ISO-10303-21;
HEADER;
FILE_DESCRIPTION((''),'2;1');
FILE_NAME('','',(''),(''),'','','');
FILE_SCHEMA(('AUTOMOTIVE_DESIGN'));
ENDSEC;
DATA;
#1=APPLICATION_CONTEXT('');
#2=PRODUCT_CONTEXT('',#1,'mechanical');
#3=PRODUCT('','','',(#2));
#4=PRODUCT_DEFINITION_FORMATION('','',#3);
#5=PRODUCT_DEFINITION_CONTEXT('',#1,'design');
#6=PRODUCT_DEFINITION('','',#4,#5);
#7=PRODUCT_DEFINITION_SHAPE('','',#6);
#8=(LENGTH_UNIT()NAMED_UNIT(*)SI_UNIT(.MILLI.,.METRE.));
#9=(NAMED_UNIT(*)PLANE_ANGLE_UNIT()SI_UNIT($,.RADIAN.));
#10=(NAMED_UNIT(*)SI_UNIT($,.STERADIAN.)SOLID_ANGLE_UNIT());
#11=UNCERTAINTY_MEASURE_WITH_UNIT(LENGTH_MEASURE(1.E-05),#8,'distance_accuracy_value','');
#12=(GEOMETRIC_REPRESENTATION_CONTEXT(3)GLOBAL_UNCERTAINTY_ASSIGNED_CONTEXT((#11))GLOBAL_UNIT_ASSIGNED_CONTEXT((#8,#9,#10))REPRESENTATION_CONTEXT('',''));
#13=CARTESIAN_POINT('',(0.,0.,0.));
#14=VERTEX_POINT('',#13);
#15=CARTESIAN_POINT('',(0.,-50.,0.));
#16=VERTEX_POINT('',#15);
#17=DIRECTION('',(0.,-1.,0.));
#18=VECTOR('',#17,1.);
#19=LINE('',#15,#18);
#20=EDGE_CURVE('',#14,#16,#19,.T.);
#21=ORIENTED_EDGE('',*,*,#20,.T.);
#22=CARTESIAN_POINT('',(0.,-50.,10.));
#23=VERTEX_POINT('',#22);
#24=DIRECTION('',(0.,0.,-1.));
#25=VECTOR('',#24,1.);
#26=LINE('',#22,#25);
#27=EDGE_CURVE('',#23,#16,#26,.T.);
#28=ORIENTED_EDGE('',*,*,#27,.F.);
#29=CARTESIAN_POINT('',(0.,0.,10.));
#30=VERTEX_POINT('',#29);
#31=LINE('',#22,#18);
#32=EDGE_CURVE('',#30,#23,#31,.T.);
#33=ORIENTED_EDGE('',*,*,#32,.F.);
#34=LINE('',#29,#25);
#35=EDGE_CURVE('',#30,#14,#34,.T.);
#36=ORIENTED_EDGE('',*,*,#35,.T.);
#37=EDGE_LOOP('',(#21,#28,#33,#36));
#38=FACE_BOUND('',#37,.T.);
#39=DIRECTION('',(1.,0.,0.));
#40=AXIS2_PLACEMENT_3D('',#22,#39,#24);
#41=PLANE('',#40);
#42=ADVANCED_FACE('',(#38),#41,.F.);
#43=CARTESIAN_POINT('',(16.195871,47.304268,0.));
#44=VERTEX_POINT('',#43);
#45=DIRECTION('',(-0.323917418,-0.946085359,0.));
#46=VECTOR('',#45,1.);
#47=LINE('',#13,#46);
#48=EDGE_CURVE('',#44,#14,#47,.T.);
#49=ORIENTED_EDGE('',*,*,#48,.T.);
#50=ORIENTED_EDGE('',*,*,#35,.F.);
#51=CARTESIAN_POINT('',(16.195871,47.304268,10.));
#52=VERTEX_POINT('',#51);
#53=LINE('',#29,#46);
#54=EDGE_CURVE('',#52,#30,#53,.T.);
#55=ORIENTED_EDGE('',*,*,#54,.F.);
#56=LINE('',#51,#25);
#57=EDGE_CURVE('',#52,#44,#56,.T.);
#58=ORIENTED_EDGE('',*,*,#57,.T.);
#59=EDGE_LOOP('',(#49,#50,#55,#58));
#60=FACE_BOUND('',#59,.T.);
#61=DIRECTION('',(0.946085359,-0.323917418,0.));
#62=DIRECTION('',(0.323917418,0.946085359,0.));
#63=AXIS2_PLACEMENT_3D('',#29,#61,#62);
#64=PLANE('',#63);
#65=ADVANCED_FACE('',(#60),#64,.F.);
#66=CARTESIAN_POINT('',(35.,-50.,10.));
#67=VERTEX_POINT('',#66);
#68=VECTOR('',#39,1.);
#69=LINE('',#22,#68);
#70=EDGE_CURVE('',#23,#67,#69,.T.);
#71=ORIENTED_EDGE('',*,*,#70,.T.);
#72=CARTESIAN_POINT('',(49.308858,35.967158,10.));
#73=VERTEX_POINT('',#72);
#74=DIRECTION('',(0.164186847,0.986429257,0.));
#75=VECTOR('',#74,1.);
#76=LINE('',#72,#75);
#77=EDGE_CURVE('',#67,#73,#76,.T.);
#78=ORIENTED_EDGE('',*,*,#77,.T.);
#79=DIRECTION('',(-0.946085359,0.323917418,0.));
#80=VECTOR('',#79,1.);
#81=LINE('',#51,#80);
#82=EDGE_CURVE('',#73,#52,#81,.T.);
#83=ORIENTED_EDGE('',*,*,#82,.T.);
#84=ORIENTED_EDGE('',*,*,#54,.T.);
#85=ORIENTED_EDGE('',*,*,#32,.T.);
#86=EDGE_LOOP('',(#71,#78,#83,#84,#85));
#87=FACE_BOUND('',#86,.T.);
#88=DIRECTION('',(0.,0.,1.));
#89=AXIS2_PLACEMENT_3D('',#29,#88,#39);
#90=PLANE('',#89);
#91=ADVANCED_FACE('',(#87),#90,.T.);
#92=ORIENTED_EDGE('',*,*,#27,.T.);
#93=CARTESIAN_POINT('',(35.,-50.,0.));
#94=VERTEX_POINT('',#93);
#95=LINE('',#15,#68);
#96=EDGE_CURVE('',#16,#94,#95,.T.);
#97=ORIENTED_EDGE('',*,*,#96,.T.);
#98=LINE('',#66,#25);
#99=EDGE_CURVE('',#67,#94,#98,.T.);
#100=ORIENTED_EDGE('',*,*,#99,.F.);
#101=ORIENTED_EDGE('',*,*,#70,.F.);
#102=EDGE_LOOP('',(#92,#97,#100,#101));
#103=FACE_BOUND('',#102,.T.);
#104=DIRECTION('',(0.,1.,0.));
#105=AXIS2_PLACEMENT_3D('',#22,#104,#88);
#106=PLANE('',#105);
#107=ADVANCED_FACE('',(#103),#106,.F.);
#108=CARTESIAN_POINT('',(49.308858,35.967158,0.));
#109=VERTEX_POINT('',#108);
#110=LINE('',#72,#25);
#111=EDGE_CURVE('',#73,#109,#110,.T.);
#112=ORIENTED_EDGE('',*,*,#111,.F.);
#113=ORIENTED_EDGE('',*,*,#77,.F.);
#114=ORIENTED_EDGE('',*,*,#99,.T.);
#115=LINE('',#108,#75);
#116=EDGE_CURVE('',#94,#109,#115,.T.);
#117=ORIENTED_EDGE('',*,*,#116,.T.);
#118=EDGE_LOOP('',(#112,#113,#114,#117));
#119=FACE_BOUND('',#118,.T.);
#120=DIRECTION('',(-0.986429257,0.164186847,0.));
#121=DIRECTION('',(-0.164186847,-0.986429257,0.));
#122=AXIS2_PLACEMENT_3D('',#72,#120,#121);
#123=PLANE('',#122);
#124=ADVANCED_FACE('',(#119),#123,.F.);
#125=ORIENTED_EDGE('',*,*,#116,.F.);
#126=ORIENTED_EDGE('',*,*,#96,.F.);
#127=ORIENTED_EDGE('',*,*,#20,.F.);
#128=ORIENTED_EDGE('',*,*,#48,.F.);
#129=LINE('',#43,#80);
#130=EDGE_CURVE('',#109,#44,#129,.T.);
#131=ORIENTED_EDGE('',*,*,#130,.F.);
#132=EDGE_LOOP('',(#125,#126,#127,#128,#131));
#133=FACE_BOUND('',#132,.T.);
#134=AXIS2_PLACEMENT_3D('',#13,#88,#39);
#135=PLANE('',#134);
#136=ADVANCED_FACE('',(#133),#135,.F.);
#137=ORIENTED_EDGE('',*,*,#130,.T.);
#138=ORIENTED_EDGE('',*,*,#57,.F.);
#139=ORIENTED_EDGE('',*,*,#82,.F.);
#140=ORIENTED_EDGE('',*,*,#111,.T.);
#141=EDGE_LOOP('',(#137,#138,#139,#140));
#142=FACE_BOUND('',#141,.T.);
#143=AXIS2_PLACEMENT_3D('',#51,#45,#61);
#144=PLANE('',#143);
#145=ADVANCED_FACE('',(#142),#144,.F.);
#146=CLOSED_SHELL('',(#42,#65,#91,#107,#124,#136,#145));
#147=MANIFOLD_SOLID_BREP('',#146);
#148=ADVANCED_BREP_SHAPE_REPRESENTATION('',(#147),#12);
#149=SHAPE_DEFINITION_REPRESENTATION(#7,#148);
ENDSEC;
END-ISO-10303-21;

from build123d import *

# Parameters (mm, degrees)
BOSS_EXTRUDE1_DEPTH = 10


with BuildPart() as part:
    # Sketch1 → Boss-Extrude1 (new body)
    with BuildSketch(Plane.XY):
        Polygon((0, -50), (0, 0), (16.19587091, 47.304267941), (49.308858469, 35.967158304), (35, -50), align=None)
    extrude(amount=BOSS_EXTRUDE1_DEPTH)


solid = part.part
